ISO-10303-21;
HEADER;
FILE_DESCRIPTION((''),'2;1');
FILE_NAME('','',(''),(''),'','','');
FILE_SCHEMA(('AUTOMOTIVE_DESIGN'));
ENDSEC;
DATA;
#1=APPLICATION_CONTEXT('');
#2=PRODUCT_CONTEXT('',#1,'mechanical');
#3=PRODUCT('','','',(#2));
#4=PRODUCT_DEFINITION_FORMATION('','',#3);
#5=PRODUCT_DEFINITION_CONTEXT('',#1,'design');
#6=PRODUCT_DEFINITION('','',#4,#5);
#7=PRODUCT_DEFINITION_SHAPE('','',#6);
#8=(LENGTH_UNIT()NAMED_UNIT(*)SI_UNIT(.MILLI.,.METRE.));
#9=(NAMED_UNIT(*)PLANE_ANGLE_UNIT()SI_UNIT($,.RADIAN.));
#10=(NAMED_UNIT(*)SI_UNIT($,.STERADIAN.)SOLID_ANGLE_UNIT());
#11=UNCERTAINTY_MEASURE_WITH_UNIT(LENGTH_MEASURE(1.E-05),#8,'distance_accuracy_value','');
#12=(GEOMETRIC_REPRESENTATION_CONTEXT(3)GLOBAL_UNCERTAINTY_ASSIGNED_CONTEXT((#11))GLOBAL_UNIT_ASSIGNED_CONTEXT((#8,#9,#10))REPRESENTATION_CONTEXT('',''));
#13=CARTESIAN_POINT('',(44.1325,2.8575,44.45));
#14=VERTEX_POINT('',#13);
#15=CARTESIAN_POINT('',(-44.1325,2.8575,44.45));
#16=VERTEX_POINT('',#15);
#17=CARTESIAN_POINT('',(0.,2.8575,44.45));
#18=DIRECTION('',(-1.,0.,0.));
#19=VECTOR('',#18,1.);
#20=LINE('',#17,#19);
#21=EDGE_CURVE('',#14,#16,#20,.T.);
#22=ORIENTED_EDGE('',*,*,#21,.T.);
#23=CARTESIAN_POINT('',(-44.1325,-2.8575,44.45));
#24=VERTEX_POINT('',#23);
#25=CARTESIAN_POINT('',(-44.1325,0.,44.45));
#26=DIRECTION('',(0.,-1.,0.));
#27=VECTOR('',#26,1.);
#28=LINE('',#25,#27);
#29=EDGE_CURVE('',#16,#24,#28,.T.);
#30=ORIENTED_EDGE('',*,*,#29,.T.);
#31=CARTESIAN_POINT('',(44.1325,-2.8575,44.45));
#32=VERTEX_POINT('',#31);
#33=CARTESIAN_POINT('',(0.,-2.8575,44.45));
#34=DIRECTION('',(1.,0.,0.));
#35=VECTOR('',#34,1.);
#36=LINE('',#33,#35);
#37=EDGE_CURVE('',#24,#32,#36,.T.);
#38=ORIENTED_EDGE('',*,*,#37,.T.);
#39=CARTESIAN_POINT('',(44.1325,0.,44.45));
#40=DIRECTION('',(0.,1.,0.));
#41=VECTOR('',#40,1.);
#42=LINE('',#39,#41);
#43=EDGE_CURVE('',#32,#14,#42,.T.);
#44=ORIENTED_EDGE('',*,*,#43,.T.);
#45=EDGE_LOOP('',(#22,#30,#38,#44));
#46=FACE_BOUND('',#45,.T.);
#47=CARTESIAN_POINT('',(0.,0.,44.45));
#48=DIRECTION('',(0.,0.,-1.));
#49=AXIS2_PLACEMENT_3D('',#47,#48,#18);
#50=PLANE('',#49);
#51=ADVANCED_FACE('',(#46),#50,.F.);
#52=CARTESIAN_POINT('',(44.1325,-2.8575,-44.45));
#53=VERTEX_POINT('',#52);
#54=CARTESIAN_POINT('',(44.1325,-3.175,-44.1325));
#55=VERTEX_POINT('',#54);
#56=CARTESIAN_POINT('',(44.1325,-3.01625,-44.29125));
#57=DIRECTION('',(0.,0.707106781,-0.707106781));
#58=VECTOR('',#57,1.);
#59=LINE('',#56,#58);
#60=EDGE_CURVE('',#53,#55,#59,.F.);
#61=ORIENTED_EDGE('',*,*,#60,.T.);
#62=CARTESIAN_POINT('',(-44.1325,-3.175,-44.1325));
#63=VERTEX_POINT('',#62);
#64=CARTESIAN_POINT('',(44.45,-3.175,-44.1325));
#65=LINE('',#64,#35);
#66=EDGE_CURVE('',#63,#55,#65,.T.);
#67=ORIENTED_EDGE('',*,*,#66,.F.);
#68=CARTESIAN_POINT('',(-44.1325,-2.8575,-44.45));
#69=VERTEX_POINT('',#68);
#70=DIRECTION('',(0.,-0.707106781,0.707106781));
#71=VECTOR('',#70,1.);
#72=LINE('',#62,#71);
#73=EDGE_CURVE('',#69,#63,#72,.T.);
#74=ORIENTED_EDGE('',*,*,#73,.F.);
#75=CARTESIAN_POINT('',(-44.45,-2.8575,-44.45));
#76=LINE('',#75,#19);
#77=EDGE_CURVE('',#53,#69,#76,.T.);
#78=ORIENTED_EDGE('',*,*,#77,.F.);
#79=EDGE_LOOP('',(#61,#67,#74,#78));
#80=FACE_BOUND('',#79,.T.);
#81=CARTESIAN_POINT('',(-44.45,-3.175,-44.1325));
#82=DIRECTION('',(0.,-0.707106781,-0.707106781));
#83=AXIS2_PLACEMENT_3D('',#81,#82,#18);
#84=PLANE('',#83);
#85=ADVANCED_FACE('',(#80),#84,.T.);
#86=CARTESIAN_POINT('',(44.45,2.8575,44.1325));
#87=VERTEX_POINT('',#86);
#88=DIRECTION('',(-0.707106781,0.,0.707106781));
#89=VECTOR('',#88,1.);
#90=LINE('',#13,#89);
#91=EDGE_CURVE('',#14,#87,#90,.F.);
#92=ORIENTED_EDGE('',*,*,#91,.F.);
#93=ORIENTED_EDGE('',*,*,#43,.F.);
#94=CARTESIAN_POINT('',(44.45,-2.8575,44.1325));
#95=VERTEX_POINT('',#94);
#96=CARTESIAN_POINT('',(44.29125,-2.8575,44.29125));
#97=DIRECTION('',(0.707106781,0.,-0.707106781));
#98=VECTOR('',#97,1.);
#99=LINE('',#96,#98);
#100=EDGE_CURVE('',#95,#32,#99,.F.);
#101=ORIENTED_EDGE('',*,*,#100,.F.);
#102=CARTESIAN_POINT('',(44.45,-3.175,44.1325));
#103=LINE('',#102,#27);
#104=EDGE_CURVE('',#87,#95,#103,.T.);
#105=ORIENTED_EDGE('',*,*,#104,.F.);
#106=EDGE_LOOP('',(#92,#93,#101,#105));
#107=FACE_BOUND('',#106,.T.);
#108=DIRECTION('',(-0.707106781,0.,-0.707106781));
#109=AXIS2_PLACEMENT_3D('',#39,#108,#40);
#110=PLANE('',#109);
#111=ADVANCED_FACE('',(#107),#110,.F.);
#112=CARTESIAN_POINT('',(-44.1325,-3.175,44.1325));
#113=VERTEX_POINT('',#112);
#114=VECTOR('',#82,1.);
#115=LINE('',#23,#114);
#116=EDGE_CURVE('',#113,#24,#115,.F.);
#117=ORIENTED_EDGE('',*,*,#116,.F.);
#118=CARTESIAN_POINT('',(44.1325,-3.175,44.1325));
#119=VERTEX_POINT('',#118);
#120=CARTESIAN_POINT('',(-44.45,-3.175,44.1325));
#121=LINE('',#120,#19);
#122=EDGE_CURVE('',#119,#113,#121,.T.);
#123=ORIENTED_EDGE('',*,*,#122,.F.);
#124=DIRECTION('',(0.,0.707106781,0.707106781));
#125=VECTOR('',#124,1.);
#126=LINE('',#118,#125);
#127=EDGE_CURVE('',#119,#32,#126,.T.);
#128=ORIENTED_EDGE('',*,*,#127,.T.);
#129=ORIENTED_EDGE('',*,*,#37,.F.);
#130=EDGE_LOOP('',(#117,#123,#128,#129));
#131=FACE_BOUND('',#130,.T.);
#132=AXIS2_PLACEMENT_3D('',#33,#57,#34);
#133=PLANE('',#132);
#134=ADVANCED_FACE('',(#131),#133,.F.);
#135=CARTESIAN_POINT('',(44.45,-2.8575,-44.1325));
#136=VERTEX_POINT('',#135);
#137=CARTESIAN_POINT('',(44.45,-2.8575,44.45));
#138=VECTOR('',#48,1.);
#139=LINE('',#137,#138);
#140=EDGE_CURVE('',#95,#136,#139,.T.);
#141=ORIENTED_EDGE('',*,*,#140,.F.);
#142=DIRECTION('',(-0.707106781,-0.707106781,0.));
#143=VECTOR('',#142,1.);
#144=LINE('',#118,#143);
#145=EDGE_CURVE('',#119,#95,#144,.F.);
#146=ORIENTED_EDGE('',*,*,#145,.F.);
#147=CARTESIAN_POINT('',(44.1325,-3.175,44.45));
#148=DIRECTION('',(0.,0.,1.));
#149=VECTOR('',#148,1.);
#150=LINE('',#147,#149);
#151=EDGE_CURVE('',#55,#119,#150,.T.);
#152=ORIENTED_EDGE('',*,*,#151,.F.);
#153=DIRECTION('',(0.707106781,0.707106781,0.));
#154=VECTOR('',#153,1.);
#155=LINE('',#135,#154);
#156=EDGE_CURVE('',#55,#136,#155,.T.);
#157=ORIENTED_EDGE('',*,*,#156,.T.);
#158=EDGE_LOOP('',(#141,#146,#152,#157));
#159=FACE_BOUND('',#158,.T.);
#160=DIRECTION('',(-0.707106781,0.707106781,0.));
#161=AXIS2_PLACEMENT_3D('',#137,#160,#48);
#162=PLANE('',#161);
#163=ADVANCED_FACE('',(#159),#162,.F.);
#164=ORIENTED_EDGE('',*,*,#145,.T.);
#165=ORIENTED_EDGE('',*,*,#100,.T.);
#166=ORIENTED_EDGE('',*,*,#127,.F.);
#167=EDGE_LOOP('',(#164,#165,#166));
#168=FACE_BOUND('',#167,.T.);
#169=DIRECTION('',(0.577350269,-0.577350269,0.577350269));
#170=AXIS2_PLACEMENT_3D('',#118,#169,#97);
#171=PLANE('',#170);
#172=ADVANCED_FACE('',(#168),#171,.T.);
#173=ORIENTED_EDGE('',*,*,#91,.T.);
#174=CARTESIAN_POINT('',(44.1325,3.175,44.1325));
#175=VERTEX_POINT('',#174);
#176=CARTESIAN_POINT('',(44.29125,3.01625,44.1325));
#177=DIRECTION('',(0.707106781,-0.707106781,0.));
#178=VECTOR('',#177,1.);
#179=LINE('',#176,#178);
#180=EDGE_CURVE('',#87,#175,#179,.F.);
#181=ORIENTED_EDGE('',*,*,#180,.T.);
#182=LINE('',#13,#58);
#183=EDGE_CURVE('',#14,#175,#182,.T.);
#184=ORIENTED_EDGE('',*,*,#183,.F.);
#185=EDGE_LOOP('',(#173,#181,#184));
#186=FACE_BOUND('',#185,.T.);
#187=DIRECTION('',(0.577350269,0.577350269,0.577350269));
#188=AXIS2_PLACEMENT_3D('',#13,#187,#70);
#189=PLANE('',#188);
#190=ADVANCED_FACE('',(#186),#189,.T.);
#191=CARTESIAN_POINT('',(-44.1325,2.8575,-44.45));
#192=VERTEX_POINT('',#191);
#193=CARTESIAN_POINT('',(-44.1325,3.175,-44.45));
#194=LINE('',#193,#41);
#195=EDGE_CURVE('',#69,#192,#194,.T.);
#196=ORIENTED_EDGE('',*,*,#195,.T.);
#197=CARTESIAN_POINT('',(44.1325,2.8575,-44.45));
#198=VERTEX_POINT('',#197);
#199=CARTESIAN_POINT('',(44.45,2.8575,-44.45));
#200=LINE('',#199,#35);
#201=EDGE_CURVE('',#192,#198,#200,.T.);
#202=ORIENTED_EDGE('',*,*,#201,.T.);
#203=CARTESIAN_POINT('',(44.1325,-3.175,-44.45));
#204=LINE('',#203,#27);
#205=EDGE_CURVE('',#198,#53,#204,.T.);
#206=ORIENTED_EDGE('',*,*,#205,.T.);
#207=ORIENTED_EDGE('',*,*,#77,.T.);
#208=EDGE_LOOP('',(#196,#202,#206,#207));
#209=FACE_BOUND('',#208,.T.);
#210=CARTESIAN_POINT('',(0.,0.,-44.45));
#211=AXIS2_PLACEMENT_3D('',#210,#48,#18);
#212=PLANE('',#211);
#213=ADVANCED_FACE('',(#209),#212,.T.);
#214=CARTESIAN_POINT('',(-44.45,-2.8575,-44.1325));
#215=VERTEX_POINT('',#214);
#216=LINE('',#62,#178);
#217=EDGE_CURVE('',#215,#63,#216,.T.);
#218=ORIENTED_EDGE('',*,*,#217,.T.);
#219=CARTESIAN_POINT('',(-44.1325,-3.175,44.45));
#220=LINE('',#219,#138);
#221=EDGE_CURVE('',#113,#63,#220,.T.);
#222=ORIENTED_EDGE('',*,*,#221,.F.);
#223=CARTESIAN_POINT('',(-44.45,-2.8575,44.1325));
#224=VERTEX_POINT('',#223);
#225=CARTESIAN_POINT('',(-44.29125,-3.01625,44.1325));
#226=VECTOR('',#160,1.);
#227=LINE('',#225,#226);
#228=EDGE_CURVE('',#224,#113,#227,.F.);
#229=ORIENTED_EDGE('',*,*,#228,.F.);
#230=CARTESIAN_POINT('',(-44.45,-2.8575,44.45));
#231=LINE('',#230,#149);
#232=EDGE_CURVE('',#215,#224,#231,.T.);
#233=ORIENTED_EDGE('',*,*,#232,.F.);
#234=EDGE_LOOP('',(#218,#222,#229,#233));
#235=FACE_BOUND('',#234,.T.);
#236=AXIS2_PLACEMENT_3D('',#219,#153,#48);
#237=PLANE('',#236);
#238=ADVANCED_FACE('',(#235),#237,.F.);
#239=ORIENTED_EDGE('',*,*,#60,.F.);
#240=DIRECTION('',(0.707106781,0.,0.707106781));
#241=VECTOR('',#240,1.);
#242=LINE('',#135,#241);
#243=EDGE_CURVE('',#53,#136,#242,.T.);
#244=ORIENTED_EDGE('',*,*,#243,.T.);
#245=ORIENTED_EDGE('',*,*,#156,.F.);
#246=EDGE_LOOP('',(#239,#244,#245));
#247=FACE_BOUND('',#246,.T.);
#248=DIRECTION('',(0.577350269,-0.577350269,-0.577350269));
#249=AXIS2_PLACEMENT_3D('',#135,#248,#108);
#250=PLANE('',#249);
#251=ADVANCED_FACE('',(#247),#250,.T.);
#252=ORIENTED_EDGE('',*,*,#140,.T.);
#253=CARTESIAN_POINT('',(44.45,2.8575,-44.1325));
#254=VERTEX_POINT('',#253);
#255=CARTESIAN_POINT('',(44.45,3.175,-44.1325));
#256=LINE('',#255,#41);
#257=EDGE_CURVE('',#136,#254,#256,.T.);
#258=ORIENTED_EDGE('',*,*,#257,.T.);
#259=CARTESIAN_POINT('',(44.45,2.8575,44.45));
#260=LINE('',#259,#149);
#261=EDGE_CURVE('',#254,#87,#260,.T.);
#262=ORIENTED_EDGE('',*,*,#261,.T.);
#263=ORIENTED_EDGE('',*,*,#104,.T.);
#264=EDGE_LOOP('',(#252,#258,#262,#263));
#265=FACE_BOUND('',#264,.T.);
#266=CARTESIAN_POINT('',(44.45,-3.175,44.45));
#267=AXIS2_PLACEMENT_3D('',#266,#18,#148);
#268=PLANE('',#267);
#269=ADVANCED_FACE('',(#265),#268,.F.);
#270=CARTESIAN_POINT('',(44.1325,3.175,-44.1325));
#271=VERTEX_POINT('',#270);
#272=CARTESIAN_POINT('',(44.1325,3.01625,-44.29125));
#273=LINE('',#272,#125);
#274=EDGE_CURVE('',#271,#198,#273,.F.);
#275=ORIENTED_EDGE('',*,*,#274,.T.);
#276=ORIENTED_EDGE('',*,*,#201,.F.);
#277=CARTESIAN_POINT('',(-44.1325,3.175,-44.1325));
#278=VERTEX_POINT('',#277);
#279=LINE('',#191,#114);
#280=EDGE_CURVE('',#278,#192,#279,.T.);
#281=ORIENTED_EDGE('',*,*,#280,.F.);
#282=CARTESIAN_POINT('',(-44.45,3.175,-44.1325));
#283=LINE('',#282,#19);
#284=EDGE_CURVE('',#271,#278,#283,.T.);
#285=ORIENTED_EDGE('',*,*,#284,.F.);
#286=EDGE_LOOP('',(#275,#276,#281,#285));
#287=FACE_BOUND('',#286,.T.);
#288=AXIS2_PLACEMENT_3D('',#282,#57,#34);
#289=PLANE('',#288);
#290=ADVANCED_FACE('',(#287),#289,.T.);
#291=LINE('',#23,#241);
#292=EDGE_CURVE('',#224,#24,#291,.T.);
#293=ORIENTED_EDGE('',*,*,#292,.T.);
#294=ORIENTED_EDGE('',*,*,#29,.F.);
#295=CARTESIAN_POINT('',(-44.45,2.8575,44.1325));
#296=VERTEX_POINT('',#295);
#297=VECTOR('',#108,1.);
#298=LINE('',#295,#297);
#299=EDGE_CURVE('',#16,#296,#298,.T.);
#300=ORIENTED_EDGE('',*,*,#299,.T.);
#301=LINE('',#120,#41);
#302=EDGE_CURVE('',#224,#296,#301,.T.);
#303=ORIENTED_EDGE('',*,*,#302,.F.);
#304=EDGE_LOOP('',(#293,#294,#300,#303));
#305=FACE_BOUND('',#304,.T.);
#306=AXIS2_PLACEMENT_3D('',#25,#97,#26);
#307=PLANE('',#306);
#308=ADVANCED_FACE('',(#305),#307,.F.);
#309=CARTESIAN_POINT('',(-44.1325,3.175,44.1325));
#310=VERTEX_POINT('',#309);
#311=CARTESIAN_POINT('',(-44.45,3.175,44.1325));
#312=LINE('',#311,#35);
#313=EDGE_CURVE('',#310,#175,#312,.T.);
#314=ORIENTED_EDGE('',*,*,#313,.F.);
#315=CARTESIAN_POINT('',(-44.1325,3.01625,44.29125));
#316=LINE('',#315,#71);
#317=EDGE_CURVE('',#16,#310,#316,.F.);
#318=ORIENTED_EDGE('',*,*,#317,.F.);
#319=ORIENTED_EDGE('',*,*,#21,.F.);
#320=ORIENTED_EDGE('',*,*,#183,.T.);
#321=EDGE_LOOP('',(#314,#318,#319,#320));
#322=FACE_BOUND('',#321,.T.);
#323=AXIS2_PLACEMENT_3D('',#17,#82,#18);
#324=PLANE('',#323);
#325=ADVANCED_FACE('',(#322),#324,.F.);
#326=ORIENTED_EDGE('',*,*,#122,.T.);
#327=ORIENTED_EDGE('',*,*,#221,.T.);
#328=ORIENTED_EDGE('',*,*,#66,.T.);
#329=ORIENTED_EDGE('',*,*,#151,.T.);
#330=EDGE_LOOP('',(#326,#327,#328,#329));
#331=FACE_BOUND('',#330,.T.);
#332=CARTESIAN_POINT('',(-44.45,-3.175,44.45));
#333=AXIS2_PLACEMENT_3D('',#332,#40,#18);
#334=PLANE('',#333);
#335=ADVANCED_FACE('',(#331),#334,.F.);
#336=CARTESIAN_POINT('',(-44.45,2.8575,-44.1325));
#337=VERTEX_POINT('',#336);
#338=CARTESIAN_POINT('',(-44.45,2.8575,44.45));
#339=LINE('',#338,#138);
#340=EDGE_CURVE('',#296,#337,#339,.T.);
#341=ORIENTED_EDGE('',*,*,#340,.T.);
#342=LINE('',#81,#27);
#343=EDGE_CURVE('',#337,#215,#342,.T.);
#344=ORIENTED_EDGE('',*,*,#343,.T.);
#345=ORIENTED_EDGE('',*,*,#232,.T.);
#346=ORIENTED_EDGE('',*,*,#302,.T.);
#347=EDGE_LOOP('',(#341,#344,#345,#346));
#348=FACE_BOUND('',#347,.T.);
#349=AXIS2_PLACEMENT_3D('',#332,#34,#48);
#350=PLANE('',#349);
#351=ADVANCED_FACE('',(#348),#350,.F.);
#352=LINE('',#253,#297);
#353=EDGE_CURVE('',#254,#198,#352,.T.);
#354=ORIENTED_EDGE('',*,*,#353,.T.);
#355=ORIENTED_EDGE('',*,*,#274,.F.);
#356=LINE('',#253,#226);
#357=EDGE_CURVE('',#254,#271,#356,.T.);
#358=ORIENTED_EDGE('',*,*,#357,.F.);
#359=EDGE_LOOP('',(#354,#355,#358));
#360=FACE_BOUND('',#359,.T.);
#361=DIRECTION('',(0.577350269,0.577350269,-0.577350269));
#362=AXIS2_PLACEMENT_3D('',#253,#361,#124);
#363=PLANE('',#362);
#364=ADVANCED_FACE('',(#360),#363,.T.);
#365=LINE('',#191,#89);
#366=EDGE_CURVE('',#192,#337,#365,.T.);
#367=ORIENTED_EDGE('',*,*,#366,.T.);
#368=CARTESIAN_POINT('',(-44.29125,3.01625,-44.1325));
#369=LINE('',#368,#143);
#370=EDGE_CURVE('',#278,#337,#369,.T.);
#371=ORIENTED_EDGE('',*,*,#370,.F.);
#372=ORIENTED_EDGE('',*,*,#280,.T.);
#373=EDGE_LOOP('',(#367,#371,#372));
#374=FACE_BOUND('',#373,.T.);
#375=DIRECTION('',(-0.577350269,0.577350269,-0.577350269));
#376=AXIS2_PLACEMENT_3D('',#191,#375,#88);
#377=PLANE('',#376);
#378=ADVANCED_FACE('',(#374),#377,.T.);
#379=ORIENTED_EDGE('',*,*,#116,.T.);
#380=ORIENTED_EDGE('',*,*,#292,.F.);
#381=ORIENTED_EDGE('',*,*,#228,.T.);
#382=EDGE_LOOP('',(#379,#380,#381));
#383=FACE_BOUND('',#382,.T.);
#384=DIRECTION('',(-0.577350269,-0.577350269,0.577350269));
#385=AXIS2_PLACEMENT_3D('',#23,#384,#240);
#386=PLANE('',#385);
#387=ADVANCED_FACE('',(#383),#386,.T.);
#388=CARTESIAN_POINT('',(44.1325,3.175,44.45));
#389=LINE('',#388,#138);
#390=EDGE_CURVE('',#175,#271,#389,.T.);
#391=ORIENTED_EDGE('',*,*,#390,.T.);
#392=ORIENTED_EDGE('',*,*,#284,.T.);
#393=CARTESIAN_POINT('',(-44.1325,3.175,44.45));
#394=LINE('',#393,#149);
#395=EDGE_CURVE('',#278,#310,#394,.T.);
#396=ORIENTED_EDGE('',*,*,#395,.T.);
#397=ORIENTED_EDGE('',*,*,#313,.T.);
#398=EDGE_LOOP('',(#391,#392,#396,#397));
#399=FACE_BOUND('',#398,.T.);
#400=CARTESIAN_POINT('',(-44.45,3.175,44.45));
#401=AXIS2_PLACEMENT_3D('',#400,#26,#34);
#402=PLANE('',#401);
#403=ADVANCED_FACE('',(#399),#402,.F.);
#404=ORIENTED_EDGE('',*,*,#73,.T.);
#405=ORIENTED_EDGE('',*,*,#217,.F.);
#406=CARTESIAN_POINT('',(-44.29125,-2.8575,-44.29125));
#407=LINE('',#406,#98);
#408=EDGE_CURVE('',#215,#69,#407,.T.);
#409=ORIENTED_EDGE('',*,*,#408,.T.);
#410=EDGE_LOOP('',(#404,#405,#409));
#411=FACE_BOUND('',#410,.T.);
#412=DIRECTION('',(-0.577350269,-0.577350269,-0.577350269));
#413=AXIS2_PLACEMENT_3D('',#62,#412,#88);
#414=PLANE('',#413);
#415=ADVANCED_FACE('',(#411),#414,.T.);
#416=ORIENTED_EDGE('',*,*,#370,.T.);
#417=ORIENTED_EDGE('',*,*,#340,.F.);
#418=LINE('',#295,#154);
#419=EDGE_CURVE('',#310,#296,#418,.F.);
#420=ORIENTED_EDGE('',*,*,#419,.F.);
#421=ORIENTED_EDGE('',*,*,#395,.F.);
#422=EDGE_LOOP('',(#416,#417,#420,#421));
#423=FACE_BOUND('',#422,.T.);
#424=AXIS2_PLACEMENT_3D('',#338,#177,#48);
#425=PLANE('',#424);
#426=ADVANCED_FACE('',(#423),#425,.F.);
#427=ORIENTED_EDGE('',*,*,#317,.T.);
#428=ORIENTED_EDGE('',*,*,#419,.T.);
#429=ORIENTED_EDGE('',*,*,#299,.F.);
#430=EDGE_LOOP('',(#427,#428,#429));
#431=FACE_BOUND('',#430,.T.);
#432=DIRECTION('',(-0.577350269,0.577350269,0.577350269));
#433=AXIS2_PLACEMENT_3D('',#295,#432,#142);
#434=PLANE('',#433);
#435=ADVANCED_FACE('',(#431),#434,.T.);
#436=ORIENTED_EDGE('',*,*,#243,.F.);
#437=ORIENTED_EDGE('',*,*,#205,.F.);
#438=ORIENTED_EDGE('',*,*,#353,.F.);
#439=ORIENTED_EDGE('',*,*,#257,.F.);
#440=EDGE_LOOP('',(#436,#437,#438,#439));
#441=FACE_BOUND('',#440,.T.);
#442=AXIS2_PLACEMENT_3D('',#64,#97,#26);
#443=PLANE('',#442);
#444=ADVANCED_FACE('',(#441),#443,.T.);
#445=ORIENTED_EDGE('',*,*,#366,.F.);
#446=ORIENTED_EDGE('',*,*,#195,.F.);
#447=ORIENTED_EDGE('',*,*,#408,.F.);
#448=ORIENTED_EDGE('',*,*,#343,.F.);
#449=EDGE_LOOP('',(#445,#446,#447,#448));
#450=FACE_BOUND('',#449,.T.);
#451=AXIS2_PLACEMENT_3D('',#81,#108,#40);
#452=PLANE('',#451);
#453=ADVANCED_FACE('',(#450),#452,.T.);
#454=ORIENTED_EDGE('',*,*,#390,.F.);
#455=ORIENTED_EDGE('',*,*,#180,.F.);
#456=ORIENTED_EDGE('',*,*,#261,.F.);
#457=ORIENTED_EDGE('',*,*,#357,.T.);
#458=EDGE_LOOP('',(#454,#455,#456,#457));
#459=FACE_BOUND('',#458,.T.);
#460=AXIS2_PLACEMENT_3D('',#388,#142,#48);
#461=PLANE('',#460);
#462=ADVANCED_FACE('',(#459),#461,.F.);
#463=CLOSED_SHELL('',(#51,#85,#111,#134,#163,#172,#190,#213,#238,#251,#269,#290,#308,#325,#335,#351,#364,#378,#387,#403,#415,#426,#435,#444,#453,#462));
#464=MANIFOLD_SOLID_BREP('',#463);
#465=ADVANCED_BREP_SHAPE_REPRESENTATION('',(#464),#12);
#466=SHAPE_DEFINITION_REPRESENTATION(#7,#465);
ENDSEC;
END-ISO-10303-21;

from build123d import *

# Parameters (mm, degrees)
SKETCH3_W           = 88.9
SKETCH3_H           = 6.35
BOSS_EXTRUDE1_DEPTH = 44.45
CHAMFER1_SIZE       = 0.3175


with BuildPart() as part:
    # Sketch3 → Boss-Extrude1 (new, symmetric)
    with BuildSketch(Plane.XY):
        Rectangle(SKETCH3_W, SKETCH3_H)
    extrude(amount=BOSS_EXTRUDE1_DEPTH, both=True)

    # Chamfer1
    chamfer1_edges = [part.edges().sort_by_distance(p)[0] for p in [
        (-44.45, 0, 44.45),
        (0, -3.175, 44.45),
        (44.45, 0, 44.45),
        (0, -3.175, -44.45),
        (-44.45, 0, -44.45),
        (0, 3.175, -44.45),
        (44.45, 0, -44.45),
        (0, 3.175, 44.45),
        (44.45, -3.175, 0),
        (-44.45, -3.175, 0),
        (-44.45, 3.175, 0),
        (44.45, 3.175, 0),
    ]]
    chamfer(chamfer1_edges, length=CHAMFER1_SIZE)


solid = part.part
